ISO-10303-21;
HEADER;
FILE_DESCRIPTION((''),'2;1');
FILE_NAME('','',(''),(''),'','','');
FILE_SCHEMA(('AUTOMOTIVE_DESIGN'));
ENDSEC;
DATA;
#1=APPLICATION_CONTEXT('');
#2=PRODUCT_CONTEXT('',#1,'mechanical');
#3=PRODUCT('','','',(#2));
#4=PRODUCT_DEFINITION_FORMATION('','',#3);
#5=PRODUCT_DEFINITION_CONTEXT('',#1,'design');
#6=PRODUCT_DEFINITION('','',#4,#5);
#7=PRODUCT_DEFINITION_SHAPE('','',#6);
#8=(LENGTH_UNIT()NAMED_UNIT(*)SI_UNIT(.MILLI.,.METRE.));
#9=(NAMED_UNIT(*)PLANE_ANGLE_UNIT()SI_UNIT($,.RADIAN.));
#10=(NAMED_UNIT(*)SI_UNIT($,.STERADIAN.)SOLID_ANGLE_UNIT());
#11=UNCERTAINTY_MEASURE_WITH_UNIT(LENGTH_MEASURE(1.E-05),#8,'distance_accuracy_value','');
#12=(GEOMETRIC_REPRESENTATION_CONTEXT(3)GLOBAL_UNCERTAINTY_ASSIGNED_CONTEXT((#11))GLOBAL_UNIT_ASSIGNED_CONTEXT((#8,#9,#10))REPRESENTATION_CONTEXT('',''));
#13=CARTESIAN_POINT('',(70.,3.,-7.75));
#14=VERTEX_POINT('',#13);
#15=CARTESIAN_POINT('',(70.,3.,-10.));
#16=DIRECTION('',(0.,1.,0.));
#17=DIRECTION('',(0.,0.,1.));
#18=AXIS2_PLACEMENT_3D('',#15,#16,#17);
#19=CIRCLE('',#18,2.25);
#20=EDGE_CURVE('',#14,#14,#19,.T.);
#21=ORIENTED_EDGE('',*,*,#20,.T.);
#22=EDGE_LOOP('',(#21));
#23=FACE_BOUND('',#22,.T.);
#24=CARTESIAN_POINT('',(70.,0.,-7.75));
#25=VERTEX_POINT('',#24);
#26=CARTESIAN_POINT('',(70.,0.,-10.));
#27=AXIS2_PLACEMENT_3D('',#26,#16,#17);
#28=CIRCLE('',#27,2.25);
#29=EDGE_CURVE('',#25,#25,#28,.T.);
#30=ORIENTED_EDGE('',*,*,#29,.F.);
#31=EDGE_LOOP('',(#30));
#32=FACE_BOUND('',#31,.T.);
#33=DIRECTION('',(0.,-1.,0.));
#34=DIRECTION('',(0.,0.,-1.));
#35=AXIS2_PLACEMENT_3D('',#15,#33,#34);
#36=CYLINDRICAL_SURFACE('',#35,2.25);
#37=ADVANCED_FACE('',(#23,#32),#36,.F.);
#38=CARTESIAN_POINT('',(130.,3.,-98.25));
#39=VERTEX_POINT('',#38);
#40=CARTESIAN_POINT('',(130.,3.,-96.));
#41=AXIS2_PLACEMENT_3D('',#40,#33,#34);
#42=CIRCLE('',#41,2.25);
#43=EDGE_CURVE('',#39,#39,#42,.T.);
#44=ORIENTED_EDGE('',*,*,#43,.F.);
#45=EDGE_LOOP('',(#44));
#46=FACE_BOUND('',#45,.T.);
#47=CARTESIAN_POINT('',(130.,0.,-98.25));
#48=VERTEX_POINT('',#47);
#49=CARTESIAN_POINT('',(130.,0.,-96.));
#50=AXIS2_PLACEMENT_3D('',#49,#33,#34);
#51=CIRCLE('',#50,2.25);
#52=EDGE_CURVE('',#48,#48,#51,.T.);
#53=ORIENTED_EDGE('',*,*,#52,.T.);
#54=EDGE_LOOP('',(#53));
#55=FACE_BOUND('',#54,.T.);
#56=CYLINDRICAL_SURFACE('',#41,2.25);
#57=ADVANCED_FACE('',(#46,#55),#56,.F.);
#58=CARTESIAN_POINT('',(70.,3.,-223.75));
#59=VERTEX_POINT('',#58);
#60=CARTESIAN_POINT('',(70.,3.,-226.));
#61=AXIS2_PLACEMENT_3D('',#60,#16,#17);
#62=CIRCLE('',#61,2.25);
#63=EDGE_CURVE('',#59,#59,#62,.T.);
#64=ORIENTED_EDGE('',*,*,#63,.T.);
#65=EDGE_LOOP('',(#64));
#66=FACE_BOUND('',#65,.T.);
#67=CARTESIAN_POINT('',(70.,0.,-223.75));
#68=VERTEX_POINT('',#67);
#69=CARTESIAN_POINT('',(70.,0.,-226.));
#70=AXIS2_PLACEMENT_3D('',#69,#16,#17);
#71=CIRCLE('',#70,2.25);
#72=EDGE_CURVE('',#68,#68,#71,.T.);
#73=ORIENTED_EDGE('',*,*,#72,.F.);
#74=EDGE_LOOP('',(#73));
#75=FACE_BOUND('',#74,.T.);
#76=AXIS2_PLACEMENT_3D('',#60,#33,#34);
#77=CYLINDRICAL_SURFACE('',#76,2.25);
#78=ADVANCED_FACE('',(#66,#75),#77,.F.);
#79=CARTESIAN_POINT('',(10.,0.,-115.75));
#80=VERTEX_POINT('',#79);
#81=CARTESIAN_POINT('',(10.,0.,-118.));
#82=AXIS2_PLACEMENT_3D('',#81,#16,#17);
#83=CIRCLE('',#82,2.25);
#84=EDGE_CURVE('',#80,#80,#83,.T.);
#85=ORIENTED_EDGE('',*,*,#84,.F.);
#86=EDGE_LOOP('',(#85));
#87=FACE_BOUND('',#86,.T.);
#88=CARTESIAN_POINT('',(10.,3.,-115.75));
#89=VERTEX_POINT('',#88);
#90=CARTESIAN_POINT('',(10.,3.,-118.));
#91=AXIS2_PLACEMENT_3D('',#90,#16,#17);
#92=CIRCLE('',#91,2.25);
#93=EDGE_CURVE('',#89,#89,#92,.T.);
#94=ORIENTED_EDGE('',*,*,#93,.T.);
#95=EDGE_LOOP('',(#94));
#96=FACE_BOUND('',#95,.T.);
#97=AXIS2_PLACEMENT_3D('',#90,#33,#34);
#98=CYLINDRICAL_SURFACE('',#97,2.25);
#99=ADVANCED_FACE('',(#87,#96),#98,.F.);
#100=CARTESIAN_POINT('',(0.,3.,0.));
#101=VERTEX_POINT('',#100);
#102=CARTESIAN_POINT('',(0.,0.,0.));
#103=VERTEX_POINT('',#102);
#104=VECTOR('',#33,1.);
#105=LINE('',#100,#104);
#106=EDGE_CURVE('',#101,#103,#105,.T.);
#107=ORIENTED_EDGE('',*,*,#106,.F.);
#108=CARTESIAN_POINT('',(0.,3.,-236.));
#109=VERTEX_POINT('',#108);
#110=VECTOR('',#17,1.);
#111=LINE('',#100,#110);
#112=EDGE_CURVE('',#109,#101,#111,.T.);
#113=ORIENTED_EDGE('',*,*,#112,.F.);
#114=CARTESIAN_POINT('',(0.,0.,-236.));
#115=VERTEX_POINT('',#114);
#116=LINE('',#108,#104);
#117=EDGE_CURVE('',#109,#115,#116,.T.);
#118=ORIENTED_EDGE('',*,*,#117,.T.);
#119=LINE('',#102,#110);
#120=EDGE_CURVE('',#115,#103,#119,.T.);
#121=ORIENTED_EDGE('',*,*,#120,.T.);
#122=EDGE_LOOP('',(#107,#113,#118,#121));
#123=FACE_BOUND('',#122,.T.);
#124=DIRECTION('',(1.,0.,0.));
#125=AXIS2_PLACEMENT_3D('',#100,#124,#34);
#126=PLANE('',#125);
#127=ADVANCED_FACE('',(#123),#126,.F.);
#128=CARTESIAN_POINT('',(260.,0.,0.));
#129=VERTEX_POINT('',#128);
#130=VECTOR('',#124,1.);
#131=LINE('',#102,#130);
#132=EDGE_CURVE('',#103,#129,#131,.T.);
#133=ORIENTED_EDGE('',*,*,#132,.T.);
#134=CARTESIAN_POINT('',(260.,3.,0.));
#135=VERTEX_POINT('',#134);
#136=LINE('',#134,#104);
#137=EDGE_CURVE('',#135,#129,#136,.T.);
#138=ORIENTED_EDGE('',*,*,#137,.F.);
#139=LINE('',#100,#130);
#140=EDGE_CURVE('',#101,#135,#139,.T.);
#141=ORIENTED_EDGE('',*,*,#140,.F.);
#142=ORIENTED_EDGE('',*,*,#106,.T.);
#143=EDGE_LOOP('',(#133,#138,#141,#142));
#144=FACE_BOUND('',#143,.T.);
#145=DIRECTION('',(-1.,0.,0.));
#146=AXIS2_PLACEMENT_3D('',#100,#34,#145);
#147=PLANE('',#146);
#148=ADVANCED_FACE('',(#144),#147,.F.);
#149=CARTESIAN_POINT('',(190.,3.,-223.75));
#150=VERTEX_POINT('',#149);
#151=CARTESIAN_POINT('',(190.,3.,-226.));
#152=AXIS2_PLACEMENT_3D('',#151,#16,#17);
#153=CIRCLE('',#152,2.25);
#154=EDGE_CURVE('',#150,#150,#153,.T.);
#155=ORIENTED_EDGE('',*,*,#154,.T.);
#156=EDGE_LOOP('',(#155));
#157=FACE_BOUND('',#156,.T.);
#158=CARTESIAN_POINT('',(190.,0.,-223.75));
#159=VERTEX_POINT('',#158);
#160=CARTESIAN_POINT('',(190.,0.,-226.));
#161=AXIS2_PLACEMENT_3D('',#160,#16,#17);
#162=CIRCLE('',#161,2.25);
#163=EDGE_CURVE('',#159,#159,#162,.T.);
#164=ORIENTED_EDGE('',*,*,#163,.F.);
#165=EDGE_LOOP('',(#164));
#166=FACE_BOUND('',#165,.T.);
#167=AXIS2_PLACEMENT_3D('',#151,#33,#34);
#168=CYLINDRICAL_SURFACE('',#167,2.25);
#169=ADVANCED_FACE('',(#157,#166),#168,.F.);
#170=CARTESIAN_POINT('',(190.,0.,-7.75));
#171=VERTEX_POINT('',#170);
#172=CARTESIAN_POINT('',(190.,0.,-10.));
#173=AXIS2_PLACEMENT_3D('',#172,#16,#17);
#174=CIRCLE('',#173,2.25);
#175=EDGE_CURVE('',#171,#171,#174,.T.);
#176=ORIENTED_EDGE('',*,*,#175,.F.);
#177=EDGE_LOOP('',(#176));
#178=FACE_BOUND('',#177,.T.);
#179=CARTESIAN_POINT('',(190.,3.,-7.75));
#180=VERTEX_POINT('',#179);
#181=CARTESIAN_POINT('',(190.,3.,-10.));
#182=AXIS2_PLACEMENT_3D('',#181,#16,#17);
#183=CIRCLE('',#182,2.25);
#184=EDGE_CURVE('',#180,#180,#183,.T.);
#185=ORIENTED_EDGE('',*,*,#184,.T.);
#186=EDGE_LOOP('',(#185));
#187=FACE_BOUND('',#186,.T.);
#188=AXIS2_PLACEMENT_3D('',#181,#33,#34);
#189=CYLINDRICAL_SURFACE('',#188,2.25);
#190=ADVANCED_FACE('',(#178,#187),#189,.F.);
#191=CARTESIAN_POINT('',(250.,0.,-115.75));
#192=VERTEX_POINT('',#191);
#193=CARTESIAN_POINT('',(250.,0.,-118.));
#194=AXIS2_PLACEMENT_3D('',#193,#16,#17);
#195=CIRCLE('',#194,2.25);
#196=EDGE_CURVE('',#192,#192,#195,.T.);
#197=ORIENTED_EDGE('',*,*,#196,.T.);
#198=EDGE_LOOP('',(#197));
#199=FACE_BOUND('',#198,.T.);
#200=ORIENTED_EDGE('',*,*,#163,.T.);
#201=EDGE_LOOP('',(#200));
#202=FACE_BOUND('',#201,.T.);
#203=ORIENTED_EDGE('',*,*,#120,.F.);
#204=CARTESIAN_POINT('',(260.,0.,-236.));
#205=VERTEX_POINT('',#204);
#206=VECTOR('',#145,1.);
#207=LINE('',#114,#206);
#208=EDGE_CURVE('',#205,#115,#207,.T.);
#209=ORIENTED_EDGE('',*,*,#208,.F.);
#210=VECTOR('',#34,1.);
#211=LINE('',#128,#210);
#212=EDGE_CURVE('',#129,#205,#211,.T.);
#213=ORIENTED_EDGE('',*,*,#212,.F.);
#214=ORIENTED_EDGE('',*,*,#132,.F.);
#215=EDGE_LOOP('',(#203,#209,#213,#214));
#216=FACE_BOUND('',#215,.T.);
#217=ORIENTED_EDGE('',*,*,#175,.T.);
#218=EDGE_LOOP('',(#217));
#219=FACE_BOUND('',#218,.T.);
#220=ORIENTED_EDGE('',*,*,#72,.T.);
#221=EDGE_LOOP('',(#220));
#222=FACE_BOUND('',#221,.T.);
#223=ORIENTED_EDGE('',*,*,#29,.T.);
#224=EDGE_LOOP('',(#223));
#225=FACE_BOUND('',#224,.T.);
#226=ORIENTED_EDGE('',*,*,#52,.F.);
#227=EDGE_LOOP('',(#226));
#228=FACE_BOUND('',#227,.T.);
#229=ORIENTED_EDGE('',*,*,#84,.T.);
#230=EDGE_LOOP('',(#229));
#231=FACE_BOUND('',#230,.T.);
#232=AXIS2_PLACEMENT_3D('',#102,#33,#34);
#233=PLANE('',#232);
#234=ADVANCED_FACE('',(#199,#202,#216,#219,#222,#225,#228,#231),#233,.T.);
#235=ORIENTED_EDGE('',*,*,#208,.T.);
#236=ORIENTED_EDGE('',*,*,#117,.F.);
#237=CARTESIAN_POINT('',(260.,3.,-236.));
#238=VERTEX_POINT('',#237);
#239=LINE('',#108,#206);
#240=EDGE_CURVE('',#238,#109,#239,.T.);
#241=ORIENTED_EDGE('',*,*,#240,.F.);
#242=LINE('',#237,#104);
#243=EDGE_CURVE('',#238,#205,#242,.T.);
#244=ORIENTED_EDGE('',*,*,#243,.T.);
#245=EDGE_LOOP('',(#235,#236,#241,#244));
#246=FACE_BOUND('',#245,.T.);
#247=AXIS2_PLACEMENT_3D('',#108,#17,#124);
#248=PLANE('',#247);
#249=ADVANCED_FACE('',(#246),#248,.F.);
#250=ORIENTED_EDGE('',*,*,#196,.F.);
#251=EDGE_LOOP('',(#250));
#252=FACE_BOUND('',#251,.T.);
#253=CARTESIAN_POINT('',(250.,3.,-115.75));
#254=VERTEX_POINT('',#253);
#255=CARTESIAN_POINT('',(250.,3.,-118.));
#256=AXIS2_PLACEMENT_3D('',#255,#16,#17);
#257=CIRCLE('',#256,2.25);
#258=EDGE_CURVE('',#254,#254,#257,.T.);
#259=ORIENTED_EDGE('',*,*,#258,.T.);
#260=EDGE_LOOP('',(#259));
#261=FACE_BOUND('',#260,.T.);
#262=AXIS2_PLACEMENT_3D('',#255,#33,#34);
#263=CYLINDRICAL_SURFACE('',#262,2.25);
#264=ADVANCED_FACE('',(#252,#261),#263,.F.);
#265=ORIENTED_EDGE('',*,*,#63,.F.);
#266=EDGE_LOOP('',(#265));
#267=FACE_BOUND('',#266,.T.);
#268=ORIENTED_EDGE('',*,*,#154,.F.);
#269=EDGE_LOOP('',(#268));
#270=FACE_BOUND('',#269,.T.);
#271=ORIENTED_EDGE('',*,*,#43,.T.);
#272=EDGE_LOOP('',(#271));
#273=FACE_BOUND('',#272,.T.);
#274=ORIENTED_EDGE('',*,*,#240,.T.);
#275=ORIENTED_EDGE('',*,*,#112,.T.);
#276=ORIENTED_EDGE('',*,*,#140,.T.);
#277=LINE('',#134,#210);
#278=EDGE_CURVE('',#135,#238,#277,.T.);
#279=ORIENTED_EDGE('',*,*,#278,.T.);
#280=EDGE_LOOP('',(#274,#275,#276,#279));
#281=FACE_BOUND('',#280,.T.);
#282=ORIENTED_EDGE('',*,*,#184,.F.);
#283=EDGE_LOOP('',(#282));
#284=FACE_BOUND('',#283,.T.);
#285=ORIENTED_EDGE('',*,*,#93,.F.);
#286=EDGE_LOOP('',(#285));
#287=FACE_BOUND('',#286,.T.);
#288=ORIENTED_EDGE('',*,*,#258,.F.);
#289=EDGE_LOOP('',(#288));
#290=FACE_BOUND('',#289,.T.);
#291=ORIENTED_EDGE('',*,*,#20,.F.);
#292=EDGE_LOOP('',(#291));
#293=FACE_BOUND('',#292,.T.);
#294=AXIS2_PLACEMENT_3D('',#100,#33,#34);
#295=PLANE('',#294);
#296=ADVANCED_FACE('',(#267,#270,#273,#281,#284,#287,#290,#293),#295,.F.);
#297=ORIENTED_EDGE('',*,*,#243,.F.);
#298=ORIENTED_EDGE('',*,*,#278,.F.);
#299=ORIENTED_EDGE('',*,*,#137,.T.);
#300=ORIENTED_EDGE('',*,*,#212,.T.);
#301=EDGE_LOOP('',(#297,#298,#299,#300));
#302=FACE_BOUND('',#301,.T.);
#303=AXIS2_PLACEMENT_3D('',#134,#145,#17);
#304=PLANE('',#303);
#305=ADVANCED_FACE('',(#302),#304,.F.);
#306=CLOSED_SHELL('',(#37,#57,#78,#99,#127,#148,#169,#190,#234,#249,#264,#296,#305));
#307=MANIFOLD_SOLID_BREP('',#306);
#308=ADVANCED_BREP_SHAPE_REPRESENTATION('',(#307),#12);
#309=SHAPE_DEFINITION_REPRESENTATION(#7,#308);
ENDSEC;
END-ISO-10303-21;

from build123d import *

# Parameters (mm, degrees)
SKETCH_1_W         = 260
SKETCH_1_H         = 236
SKETCH_1_R         = 2.25
EXTRUDE_1_DEPTH    = 3
SKETCH1_R          = 2.25
CUT_EXTRUDE1_DEPTH = 4


with BuildPart() as part:
    # Эскиз1 → Бобышка-Вытянуть1 (new body)
    with BuildSketch(Plane(origin=(0, 0, 0), x_dir=(1, 0, 0), z_dir=(0, 1, 0))):
        with Locations((130, 118)):
            Rectangle(SKETCH_1_W, SKETCH_1_H)
        with Locations((70, 226)):
            Circle(SKETCH_1_R, mode=Mode.SUBTRACT)
        with Locations((190, 226)):
            Circle(SKETCH_1_R, mode=Mode.SUBTRACT)
        with Locations((10, 118)):
            Circle(SKETCH_1_R, mode=Mode.SUBTRACT)
        with Locations((250, 118)):
            Circle(SKETCH_1_R, mode=Mode.SUBTRACT)
        with Locations((70, 10)):
            Circle(SKETCH_1_R, mode=Mode.SUBTRACT)
        with Locations((190, 10)):
            Circle(SKETCH_1_R, mode=Mode.SUBTRACT)
    extrude(amount=EXTRUDE_1_DEPTH)

    # Sketch1 → Cut-Extrude1 (cut, through all)
    with BuildSketch(Plane.XZ):
        with Locations((130, -96)):
            Circle(SKETCH1_R)
    extrude(amount=-CUT_EXTRUDE1_DEPTH, mode=Mode.SUBTRACT)


solid = part.part
